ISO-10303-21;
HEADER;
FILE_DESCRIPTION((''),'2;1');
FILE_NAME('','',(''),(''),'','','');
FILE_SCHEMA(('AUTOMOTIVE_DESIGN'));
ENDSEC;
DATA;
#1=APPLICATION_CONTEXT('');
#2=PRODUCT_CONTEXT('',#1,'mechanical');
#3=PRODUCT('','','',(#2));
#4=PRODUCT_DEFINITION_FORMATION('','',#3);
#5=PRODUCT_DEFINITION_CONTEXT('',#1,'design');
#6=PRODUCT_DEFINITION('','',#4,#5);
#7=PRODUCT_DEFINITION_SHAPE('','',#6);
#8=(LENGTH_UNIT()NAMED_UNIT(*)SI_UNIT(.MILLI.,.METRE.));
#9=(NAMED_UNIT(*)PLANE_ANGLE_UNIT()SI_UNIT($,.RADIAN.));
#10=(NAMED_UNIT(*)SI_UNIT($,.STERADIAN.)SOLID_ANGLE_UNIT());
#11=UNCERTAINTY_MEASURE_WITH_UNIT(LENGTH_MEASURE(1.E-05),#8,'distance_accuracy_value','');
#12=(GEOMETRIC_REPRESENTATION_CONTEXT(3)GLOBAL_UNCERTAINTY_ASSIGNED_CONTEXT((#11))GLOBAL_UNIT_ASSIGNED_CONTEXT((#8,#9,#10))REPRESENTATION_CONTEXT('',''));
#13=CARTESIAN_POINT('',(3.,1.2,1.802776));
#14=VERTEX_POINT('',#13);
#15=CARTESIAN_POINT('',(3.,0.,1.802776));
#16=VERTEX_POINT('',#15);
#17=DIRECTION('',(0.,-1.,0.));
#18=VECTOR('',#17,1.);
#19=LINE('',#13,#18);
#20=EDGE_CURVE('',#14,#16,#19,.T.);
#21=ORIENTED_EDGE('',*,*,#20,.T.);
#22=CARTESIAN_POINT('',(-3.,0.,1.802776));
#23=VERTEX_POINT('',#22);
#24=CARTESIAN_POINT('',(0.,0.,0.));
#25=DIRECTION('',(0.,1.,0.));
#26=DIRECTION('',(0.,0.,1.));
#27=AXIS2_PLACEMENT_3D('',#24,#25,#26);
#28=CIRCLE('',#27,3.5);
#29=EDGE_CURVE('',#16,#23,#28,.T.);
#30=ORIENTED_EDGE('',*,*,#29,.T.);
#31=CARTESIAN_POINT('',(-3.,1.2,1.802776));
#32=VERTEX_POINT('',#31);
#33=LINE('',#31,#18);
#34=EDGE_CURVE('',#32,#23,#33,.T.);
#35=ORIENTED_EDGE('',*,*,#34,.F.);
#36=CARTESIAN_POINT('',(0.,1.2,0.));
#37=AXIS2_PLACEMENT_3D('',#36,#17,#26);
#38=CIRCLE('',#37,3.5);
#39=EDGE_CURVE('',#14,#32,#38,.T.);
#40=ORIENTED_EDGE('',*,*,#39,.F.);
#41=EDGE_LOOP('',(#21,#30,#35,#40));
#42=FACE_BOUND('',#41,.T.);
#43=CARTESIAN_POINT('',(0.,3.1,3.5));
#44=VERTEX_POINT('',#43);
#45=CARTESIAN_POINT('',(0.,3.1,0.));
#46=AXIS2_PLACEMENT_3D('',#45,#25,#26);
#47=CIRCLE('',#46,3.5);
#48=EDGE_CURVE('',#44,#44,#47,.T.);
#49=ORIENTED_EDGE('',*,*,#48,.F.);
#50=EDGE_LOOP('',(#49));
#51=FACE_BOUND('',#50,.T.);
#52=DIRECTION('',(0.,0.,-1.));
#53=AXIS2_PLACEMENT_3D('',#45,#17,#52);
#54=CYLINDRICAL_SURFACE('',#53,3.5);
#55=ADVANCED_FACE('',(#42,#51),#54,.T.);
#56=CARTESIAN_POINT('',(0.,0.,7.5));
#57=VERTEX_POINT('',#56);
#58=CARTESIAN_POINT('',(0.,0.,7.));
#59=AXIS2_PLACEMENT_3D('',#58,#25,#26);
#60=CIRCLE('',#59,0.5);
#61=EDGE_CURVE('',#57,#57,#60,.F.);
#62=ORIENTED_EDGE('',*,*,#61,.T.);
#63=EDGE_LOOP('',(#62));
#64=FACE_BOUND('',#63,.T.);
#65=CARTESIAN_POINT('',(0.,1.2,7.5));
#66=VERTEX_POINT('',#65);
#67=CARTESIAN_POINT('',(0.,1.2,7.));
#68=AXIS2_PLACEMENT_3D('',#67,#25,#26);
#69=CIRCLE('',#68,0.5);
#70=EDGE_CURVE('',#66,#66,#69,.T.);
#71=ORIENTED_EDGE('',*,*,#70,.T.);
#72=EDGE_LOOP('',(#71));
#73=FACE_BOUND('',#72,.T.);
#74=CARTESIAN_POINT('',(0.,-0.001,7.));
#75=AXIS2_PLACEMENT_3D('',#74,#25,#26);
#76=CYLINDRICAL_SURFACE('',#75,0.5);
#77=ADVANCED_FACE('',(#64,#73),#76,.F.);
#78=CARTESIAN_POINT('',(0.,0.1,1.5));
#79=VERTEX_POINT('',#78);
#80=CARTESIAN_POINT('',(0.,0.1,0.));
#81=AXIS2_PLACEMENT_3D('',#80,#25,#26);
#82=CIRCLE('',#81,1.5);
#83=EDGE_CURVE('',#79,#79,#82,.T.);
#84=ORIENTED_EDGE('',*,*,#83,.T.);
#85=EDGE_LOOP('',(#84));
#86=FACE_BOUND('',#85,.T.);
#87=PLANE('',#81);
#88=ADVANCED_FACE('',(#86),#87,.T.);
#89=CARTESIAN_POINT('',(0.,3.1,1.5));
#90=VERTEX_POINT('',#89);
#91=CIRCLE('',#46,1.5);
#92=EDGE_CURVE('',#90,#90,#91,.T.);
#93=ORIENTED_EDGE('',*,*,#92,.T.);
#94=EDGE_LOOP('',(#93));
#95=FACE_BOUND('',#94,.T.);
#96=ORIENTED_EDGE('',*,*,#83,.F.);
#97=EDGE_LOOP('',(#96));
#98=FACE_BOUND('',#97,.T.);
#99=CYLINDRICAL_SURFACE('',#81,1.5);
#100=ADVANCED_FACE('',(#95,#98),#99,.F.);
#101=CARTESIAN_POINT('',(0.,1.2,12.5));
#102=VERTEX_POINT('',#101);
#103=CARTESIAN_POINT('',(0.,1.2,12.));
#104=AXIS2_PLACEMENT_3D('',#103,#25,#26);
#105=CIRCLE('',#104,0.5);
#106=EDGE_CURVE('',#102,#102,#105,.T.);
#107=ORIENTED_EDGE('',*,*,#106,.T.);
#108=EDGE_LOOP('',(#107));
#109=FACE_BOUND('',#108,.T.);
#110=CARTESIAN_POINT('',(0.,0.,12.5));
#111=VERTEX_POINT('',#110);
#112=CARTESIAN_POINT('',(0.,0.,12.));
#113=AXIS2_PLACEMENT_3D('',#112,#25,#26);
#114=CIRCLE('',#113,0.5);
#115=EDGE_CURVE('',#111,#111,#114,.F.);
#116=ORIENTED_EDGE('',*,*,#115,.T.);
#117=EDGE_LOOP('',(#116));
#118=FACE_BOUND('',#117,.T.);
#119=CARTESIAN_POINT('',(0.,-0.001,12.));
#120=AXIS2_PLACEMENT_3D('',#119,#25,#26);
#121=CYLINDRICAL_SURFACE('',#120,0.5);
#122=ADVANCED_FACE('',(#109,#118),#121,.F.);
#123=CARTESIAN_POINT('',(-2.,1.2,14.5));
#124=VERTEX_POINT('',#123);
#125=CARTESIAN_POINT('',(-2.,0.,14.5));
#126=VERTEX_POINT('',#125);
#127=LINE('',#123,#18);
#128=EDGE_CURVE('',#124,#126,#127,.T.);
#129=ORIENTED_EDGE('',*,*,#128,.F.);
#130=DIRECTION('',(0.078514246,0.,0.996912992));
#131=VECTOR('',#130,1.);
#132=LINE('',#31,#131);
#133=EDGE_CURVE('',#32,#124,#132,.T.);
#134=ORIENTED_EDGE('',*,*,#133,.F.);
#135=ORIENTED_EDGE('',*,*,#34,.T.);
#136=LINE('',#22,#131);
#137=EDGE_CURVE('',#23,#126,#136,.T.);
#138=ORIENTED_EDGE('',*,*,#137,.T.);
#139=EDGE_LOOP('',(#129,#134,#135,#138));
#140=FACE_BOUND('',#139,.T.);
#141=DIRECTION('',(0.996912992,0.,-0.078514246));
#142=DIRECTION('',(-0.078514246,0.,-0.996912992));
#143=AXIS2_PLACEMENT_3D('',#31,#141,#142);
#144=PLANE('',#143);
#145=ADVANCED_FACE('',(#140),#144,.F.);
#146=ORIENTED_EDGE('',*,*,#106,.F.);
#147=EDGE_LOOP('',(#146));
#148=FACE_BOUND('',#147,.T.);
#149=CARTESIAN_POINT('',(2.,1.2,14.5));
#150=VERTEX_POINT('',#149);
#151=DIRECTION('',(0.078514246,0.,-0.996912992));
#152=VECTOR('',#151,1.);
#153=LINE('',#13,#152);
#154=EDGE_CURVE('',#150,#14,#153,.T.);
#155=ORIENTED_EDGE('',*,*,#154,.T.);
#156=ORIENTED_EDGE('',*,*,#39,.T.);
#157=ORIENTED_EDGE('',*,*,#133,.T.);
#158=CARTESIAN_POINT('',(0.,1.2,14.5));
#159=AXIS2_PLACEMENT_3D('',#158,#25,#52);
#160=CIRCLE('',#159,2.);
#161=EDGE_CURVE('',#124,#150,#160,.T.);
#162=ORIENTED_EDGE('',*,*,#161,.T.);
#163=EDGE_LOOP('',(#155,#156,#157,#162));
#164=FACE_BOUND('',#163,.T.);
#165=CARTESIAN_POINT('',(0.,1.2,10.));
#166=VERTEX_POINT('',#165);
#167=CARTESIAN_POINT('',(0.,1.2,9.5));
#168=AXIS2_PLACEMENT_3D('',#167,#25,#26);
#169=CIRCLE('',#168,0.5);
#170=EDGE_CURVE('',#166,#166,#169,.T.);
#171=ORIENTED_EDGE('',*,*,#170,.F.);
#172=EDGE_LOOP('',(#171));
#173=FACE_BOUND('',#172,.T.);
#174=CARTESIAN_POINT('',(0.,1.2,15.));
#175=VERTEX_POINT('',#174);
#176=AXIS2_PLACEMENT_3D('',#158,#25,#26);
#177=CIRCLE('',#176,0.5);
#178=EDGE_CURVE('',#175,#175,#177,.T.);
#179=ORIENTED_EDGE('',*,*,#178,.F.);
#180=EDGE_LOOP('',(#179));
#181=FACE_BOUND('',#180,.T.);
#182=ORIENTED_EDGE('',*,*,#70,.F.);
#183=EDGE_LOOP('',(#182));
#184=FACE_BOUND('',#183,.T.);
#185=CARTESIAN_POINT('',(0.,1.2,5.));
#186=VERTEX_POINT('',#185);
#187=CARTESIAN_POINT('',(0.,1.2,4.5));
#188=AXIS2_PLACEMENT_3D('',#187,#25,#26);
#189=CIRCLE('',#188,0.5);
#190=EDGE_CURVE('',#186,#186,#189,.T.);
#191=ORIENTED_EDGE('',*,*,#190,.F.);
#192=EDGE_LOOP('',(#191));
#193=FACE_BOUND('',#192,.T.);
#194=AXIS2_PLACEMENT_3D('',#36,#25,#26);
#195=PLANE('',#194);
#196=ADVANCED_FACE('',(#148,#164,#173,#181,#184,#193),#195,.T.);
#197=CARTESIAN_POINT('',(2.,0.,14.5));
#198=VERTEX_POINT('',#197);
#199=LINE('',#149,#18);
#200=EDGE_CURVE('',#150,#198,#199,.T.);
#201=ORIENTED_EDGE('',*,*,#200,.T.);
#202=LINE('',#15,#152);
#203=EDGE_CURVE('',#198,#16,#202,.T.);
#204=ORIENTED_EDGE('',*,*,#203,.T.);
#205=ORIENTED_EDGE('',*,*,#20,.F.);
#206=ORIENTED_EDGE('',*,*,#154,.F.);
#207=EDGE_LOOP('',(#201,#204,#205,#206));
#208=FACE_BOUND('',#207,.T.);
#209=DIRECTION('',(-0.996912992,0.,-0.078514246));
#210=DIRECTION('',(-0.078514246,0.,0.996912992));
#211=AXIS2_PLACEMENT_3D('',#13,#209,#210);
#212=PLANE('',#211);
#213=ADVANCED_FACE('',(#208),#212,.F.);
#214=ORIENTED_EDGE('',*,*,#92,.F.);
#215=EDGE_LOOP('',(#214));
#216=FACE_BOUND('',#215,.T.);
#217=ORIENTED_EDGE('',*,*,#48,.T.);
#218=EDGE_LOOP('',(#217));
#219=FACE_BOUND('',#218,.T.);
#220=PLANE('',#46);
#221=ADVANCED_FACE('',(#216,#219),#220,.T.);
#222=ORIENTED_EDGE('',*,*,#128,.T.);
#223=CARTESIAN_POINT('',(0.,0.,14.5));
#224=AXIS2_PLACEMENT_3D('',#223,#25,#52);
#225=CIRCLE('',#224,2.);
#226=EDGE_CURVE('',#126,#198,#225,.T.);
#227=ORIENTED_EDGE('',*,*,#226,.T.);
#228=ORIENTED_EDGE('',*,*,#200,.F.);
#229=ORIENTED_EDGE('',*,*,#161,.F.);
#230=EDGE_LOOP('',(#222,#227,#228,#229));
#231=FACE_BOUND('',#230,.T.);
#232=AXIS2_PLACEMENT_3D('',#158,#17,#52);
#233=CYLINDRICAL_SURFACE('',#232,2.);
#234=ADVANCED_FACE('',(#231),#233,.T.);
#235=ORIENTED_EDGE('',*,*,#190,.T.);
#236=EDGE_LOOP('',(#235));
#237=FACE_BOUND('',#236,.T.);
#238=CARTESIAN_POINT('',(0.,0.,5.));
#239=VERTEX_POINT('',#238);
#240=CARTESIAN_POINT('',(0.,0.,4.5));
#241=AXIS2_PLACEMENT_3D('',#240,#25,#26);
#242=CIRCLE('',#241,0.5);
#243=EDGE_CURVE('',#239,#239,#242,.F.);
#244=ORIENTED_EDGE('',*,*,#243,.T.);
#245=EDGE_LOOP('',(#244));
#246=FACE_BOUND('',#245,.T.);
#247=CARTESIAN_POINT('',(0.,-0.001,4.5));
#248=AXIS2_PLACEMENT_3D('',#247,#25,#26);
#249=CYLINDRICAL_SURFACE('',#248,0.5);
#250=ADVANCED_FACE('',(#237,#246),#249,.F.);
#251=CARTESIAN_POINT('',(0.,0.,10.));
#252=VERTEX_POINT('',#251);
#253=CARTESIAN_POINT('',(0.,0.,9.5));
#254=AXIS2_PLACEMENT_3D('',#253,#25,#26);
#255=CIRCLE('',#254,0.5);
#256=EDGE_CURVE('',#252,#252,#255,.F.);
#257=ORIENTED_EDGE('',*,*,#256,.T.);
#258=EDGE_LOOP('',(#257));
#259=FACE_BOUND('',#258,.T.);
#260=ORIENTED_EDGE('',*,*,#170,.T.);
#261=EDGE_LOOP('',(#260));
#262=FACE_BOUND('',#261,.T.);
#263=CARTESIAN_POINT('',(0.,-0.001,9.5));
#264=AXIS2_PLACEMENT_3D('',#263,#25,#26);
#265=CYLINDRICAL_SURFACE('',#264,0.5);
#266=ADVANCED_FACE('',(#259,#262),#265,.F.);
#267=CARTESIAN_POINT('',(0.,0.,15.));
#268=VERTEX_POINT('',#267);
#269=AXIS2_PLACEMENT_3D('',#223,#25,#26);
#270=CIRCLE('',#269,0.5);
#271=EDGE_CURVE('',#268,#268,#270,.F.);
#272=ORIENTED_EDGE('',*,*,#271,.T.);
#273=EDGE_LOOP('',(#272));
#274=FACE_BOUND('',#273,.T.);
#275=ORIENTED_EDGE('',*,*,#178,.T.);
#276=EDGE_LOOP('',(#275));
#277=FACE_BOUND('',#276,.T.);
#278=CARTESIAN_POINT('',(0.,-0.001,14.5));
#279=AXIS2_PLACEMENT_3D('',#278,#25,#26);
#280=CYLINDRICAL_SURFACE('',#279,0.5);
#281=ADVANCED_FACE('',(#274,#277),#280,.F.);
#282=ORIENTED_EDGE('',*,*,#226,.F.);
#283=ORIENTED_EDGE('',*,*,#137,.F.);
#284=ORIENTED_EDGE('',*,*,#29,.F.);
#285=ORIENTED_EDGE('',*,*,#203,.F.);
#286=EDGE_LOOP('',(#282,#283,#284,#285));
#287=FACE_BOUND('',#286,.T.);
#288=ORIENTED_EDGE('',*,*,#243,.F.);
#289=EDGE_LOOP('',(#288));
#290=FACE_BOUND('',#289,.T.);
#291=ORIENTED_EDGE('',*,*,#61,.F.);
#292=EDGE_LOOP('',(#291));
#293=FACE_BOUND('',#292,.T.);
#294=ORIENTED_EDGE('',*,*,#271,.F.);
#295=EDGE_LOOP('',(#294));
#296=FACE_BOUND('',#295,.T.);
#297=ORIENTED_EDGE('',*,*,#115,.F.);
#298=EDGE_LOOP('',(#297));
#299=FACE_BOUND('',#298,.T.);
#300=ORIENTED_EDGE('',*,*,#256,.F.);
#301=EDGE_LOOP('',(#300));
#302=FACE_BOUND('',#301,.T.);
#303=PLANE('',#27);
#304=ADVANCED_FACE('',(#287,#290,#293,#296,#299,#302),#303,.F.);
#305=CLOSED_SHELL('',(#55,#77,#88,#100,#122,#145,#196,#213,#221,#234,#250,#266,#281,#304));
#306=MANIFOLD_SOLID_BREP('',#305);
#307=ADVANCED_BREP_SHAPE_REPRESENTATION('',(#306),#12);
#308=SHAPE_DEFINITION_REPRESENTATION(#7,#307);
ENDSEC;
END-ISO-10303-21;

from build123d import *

# Parameters (mm, degrees)
SKETCH_1_R          = 3.5
EXTRUDE_1_DEPTH     = 3.1
EXTRUDE_2_DEPTH     = 1.2
SKETCH_3_R          = 1.5
CUT_EXTRUDE_1_DEPTH = 3
CUT_EXTRUDE_2_REACH = 18.974
SKETCH_4_R          = 0.5


with BuildPart() as part:
    # 草图1 → 凸台-拉伸1 (new body)
    with BuildSketch(Plane(origin=(0, 0, 0), x_dir=(1, 0, 0), z_dir=(0, 1, 0))):
        Circle(SKETCH_1_R)
    extrude(amount=EXTRUDE_1_DEPTH)

    # 草图2 → 凸台-拉伸2 (add)
    with BuildSketch(Plane(origin=(0, 0, 0), x_dir=(1, 0, 0), z_dir=(0, 1, 0))):
        with BuildLine():
            Line((-3, -1.802775638), (-2, -14.5))
            ThreePointArc((-2, -14.5), (0, -16.5), (2, -14.5))
            Line((2, -14.5), (3, -1.802775638))
            ThreePointArc((3, -1.802775638), (0, -3.5), (-3, -1.802775638))
        make_face()
    extrude(amount=EXTRUDE_2_DEPTH)

    # 草图3 → 切除-拉伸1 (cut)
    with BuildSketch(Plane(origin=(0, 3.1, 0), x_dir=(1, 0, 0), z_dir=(0, 1, 0))):
        Circle(SKETCH_3_R)
    extrude(amount=-CUT_EXTRUDE_1_DEPTH, mode=Mode.SUBTRACT)

    # 草图4 → 切除-拉伸2 (cut, up to next)
    with BuildSketch(Plane(origin=(0, 1.2, 0), x_dir=(1, 0, 0), z_dir=(0, 1, 0)), mode=Mode.PRIVATE) as cut_extrude_2_sk1:
        with Locations((0, -14.5)):
            Circle(SKETCH_4_R)
    cut_extrude_2_tool1 = extrude(cut_extrude_2_sk1.sketch, amount=-CUT_EXTRUDE_2_REACH, mode=Mode.PRIVATE) & part.part
    # 草图4 → 切除-拉伸2 (cut, up to next)
    with BuildSketch(Plane(origin=(0, 1.2, 0), x_dir=(1, 0, 0), z_dir=(0, 1, 0)), mode=Mode.PRIVATE) as cut_extrude_2_sk2:
        with Locations((0, -12)):
            Circle(SKETCH_4_R)
    cut_extrude_2_tool2 = extrude(cut_extrude_2_sk2.sketch, amount=-CUT_EXTRUDE_2_REACH, mode=Mode.PRIVATE) & part.part
    # 草图4 → 切除-拉伸2 (cut, up to next)
    with BuildSketch(Plane(origin=(0, 1.2, 0), x_dir=(1, 0, 0), z_dir=(0, 1, 0)), mode=Mode.PRIVATE) as cut_extrude_2_sk3:
        with Locations((0, -9.5)):
            Circle(SKETCH_4_R)
    cut_extrude_2_tool3 = extrude(cut_extrude_2_sk3.sketch, amount=-CUT_EXTRUDE_2_REACH, mode=Mode.PRIVATE) & part.part
    # 草图4 → 切除-拉伸2 (cut, up to next)
    with BuildSketch(Plane(origin=(0, 1.2, 0), x_dir=(1, 0, 0), z_dir=(0, 1, 0)), mode=Mode.PRIVATE) as cut_extrude_2_sk4:
        with Locations((0, -7)):
            Circle(SKETCH_4_R)
    cut_extrude_2_tool4 = extrude(cut_extrude_2_sk4.sketch, amount=-CUT_EXTRUDE_2_REACH, mode=Mode.PRIVATE) & part.part
    # 草图4 → 切除-拉伸2 (cut, up to next)
    with BuildSketch(Plane(origin=(0, 1.2, 0), x_dir=(1, 0, 0), z_dir=(0, 1, 0)), mode=Mode.PRIVATE) as cut_extrude_2_sk5:
        with Locations((0, -4.5)):
            Circle(SKETCH_4_R)
    cut_extrude_2_tool5 = extrude(cut_extrude_2_sk5.sketch, amount=-CUT_EXTRUDE_2_REACH, mode=Mode.PRIVATE) & part.part
    add(cut_extrude_2_tool1.solids().sort_by_distance((0, 1.2, 14.5))[0], mode=Mode.SUBTRACT)
    add(cut_extrude_2_tool2.solids().sort_by_distance((0, 1.2, 12))[0], mode=Mode.SUBTRACT)
    add(cut_extrude_2_tool3.solids().sort_by_distance((0, 1.2, 9.5))[0], mode=Mode.SUBTRACT)
    add(cut_extrude_2_tool4.solids().sort_by_distance((0, 1.2, 7))[0], mode=Mode.SUBTRACT)
    add(cut_extrude_2_tool5.solids().sort_by_distance((0, 1.2, 4.5))[0], mode=Mode.SUBTRACT)


solid = part.part
